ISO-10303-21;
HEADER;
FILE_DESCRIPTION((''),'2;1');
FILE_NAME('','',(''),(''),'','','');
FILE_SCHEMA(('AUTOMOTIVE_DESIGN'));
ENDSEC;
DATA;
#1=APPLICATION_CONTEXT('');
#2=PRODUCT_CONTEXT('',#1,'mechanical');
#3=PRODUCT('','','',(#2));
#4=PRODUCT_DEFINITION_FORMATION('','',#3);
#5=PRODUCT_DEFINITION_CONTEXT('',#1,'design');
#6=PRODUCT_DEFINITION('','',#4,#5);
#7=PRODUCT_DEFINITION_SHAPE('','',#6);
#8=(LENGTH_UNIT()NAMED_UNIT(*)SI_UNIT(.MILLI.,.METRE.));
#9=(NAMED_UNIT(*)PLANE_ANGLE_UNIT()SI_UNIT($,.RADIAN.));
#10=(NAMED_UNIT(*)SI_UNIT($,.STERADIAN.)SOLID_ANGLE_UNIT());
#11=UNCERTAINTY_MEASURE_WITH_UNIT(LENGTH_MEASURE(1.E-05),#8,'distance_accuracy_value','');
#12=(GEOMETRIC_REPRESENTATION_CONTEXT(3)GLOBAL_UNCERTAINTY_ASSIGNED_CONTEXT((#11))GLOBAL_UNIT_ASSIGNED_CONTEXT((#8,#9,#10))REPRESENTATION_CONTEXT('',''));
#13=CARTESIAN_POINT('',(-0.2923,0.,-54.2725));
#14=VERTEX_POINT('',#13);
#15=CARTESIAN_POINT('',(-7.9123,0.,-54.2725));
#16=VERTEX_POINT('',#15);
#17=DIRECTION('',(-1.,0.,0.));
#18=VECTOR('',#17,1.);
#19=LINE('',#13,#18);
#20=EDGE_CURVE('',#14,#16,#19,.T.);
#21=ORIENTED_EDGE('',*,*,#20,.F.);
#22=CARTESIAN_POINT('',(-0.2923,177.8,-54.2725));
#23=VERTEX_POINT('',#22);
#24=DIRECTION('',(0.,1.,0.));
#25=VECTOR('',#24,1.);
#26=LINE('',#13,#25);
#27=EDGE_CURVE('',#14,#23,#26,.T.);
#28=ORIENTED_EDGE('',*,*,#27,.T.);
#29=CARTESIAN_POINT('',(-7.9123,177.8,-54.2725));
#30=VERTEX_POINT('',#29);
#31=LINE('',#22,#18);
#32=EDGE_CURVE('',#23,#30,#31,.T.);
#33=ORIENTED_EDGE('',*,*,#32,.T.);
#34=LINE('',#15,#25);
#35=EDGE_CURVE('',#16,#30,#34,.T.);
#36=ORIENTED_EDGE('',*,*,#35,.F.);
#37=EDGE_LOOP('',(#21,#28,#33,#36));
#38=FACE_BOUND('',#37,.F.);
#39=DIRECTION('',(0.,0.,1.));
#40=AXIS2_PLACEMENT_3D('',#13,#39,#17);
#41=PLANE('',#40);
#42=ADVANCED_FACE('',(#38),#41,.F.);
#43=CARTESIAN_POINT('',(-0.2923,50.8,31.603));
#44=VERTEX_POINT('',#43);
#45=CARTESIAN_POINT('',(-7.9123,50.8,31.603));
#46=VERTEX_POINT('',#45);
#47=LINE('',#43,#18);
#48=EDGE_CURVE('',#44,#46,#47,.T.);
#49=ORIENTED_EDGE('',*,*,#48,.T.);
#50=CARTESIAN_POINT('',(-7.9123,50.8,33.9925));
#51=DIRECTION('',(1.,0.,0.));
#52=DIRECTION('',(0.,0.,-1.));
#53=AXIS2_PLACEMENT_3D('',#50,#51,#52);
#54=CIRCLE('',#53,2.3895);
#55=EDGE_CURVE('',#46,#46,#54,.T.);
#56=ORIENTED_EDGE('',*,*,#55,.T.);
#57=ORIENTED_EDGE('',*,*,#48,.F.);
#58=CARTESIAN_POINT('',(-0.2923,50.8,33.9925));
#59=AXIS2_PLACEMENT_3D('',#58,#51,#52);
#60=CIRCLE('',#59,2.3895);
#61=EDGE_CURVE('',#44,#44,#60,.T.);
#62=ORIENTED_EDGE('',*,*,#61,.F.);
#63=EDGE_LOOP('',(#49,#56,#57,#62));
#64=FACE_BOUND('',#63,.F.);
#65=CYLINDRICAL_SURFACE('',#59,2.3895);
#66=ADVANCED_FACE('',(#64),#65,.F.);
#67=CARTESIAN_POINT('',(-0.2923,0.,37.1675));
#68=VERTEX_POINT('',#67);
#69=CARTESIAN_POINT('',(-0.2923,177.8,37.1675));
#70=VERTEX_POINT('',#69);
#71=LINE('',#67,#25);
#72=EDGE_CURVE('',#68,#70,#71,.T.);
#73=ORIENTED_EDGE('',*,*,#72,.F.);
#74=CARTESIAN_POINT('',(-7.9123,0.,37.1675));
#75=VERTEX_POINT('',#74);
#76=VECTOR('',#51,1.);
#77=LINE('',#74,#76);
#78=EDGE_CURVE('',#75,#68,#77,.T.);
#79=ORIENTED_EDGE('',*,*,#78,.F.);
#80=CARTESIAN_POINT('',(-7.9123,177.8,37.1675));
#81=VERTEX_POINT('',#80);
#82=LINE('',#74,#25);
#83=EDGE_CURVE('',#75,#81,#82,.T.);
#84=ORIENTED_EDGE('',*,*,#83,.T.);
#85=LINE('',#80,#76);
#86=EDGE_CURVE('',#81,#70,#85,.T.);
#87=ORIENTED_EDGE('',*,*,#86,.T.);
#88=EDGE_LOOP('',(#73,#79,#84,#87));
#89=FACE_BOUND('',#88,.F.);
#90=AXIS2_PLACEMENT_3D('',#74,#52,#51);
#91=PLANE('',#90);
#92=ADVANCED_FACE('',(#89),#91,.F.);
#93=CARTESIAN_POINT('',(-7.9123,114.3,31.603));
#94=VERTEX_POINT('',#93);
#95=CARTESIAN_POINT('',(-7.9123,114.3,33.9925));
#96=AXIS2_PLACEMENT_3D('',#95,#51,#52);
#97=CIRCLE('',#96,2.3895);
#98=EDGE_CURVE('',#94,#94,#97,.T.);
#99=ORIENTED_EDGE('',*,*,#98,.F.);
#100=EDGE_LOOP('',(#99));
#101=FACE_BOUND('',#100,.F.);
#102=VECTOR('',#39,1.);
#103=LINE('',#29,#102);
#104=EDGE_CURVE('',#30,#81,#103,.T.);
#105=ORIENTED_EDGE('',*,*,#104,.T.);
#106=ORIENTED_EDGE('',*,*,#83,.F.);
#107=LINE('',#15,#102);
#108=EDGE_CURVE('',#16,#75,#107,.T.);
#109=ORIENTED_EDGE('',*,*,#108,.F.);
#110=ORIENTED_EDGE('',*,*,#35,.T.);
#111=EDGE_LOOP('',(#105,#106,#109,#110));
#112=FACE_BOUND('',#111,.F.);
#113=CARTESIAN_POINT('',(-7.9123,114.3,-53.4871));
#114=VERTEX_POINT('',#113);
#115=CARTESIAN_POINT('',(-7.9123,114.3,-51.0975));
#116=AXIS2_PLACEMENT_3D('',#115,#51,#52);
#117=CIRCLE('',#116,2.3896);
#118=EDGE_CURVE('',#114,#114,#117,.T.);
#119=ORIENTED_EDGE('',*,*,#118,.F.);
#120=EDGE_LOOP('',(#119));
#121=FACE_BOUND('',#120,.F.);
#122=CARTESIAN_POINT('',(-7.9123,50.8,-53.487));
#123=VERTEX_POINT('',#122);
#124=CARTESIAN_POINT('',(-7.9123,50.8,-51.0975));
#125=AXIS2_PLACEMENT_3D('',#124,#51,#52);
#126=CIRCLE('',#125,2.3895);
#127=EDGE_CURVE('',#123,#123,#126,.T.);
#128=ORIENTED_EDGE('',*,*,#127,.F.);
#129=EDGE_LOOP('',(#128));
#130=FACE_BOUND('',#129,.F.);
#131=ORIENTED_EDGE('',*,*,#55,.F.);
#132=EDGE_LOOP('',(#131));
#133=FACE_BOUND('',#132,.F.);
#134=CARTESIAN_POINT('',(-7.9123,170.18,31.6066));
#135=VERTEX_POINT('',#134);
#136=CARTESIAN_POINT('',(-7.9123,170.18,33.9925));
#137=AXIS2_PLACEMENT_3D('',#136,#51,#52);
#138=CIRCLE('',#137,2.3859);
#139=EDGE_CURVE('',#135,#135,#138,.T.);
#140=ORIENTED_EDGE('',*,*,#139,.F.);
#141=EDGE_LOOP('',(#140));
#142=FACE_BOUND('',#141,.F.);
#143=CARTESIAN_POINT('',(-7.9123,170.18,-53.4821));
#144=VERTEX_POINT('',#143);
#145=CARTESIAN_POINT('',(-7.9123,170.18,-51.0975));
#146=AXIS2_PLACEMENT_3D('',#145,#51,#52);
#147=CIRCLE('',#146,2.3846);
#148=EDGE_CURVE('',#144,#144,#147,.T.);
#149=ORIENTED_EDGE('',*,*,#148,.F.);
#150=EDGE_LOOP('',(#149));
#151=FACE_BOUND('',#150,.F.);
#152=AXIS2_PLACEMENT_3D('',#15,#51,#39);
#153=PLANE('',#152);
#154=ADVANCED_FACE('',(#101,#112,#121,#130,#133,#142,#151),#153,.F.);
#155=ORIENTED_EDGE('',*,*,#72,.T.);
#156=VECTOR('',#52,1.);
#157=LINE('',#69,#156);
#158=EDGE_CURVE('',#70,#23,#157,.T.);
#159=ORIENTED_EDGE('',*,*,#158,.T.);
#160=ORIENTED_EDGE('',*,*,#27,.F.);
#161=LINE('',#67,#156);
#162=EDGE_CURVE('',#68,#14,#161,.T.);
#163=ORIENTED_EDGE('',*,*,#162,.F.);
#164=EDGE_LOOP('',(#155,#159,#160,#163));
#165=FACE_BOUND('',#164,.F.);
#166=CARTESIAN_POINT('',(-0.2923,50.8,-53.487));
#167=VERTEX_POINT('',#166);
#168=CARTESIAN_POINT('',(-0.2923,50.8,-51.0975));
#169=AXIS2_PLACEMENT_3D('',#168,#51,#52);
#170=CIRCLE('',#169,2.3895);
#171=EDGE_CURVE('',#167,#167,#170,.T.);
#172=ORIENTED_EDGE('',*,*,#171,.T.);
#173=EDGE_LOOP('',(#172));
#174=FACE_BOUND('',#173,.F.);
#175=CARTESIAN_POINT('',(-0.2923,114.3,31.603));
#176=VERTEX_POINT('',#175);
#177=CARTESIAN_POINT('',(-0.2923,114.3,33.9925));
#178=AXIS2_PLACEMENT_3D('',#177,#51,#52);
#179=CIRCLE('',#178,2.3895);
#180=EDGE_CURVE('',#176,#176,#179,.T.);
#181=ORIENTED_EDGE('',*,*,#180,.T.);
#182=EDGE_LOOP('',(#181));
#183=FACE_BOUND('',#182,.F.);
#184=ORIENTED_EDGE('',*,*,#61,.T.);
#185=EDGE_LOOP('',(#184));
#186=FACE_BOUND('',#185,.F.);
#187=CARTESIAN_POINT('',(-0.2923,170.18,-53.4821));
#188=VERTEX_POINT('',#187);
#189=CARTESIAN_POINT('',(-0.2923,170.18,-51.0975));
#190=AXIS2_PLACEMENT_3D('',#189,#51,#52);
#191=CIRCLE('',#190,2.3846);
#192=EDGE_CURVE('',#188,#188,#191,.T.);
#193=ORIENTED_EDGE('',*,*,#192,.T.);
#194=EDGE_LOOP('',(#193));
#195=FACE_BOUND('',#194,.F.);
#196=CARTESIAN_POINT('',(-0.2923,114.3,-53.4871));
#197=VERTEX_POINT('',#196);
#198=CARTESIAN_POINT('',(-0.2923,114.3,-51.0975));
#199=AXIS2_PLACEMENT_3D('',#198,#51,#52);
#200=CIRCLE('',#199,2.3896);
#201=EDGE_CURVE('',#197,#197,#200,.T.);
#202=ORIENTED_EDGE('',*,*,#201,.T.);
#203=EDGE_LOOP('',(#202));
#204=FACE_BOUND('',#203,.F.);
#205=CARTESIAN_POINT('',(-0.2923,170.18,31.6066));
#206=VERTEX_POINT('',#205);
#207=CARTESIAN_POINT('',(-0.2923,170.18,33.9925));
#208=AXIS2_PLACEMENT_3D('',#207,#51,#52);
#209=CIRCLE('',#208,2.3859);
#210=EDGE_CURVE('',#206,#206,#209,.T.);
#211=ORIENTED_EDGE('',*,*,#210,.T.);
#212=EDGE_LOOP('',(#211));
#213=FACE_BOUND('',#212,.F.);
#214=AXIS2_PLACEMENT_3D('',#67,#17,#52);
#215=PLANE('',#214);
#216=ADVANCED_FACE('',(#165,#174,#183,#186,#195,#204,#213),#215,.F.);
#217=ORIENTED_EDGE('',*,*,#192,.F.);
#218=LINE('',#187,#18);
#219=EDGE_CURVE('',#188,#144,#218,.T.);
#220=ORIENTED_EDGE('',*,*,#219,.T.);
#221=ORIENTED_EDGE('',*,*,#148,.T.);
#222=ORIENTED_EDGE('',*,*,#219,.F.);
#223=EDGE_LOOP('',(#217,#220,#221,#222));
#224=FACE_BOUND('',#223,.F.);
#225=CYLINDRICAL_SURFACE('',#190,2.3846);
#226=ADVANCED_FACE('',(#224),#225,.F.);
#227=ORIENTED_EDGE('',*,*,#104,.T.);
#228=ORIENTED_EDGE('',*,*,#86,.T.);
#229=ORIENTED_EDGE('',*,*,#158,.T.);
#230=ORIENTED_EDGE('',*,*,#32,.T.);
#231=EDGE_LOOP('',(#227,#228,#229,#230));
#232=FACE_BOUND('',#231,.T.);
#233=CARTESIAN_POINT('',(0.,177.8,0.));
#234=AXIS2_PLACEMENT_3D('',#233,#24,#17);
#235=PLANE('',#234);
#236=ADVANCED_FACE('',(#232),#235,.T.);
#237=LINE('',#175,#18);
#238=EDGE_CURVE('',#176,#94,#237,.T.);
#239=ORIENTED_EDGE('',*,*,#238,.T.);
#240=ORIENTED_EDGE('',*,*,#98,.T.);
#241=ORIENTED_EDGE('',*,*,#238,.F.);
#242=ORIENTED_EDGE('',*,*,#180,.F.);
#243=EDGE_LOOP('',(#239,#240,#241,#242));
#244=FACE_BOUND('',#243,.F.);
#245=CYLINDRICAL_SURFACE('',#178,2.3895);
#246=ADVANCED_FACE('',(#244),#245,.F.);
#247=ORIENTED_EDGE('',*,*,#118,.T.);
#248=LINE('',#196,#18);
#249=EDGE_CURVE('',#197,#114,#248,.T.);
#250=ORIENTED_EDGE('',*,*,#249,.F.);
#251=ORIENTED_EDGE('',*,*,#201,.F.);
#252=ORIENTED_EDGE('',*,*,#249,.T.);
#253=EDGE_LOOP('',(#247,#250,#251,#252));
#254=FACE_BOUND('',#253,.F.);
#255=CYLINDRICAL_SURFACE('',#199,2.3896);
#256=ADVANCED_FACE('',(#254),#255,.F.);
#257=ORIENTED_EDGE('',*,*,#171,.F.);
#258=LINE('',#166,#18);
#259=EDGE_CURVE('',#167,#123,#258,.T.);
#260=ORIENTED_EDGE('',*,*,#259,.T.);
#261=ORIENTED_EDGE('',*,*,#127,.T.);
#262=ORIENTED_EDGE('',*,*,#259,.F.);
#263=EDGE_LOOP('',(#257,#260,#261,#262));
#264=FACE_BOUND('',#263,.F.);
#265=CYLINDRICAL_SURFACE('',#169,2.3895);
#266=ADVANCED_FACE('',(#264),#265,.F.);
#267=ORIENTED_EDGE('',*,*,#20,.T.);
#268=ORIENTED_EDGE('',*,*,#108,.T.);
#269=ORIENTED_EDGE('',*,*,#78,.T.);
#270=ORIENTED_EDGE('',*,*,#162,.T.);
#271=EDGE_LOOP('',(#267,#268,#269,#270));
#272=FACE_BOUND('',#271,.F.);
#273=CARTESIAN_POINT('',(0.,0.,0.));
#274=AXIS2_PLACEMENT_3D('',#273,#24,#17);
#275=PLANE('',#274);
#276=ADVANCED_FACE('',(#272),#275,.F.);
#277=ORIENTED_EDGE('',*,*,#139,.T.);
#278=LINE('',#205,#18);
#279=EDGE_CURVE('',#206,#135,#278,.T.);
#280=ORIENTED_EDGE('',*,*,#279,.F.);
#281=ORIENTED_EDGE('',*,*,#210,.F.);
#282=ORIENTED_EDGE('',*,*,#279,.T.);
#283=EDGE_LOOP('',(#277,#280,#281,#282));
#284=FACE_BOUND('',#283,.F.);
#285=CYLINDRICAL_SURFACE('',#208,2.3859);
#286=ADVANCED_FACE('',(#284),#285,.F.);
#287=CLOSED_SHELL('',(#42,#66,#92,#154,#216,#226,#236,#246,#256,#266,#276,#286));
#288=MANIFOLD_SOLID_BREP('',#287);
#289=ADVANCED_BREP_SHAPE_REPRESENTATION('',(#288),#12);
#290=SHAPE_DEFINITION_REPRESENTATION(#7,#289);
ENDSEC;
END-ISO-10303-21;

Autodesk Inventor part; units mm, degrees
ref_plane "YZ Plane" through (0, 0, 0) normal (1, 0, 0) x (0, 1, 0)
ref_plane "XZ Plane" through (0, 0, 0) normal (0, 1, 0) x (-1, 0, 0)
ref_plane "XY Plane" through (0, 0, 0) normal (0, 0, 1) x (1, 0, 0)
sketch "Sketch1" plane through (0, 0, 0) normal (0, 1, 0) x (-1, 0, 0)
  line L0 (7.9123, 37.1675) -> (0.2923, 37.1675)
  line L1 (0.2923, 37.1675) -> (0.2923, -54.2725)
  line L2 (0.2923, -54.2725) -> (7.9123, -54.2725)
  line L3 (7.9123, -54.2725) -> (7.9123, 37.1675)
  point P0 (0, 0)
  dimension "d12" = 91.44
  dimension "d13" = 7.62
extrude "Extrusion1" add sketch "Sketch1" along normal blind 177.8
sketch "Sketch3" plane through (-0.2923, 0, 37.1675) normal (1, 0, 0) x (0, 0, -1)
  circle A0 centre (3.175, 170.18) radius 2.3859
  line L0 (0, 0) -> (0, 177.8) projected
  line L1 (0, 177.8) -> (91.44, 177.8) projected
  circle A1 centre (88.265, 170.18) radius 2.3846
  line L2 (91.44, 0) -> (91.44, 177.8) projected
  circle A2 centre (3.175, 114.3) radius 2.3895
  circle A3 centre (88.265, 114.3) radius 2.3896
  circle A4 centre (3.175, 50.8) radius 2.3895
  circle A5 centre (88.265, 50.8) radius 2.3895
  point P0 (37.1675, 0)
  dimension "d2" = 3.175
  dimension "d3" = 7.62
  dimension "d4" = 7.62
  dimension "d5" = 3.175
  dimension "d6" = 3.175
  dimension "d7" = 3.175
  dimension "d8" = 63.5
  dimension "d9" = 63.5
  dimension "d14" = 3.175
  dimension "d15" = 3.175
  dimension "d16" = 127
  dimension "d17" = 127
extrude "Extrusion2" cut sketch "Sketch3" against normal blind 11.1125
properties part number "Small_Side_Piece_Final" material "Polycarbonate, Smoke"
